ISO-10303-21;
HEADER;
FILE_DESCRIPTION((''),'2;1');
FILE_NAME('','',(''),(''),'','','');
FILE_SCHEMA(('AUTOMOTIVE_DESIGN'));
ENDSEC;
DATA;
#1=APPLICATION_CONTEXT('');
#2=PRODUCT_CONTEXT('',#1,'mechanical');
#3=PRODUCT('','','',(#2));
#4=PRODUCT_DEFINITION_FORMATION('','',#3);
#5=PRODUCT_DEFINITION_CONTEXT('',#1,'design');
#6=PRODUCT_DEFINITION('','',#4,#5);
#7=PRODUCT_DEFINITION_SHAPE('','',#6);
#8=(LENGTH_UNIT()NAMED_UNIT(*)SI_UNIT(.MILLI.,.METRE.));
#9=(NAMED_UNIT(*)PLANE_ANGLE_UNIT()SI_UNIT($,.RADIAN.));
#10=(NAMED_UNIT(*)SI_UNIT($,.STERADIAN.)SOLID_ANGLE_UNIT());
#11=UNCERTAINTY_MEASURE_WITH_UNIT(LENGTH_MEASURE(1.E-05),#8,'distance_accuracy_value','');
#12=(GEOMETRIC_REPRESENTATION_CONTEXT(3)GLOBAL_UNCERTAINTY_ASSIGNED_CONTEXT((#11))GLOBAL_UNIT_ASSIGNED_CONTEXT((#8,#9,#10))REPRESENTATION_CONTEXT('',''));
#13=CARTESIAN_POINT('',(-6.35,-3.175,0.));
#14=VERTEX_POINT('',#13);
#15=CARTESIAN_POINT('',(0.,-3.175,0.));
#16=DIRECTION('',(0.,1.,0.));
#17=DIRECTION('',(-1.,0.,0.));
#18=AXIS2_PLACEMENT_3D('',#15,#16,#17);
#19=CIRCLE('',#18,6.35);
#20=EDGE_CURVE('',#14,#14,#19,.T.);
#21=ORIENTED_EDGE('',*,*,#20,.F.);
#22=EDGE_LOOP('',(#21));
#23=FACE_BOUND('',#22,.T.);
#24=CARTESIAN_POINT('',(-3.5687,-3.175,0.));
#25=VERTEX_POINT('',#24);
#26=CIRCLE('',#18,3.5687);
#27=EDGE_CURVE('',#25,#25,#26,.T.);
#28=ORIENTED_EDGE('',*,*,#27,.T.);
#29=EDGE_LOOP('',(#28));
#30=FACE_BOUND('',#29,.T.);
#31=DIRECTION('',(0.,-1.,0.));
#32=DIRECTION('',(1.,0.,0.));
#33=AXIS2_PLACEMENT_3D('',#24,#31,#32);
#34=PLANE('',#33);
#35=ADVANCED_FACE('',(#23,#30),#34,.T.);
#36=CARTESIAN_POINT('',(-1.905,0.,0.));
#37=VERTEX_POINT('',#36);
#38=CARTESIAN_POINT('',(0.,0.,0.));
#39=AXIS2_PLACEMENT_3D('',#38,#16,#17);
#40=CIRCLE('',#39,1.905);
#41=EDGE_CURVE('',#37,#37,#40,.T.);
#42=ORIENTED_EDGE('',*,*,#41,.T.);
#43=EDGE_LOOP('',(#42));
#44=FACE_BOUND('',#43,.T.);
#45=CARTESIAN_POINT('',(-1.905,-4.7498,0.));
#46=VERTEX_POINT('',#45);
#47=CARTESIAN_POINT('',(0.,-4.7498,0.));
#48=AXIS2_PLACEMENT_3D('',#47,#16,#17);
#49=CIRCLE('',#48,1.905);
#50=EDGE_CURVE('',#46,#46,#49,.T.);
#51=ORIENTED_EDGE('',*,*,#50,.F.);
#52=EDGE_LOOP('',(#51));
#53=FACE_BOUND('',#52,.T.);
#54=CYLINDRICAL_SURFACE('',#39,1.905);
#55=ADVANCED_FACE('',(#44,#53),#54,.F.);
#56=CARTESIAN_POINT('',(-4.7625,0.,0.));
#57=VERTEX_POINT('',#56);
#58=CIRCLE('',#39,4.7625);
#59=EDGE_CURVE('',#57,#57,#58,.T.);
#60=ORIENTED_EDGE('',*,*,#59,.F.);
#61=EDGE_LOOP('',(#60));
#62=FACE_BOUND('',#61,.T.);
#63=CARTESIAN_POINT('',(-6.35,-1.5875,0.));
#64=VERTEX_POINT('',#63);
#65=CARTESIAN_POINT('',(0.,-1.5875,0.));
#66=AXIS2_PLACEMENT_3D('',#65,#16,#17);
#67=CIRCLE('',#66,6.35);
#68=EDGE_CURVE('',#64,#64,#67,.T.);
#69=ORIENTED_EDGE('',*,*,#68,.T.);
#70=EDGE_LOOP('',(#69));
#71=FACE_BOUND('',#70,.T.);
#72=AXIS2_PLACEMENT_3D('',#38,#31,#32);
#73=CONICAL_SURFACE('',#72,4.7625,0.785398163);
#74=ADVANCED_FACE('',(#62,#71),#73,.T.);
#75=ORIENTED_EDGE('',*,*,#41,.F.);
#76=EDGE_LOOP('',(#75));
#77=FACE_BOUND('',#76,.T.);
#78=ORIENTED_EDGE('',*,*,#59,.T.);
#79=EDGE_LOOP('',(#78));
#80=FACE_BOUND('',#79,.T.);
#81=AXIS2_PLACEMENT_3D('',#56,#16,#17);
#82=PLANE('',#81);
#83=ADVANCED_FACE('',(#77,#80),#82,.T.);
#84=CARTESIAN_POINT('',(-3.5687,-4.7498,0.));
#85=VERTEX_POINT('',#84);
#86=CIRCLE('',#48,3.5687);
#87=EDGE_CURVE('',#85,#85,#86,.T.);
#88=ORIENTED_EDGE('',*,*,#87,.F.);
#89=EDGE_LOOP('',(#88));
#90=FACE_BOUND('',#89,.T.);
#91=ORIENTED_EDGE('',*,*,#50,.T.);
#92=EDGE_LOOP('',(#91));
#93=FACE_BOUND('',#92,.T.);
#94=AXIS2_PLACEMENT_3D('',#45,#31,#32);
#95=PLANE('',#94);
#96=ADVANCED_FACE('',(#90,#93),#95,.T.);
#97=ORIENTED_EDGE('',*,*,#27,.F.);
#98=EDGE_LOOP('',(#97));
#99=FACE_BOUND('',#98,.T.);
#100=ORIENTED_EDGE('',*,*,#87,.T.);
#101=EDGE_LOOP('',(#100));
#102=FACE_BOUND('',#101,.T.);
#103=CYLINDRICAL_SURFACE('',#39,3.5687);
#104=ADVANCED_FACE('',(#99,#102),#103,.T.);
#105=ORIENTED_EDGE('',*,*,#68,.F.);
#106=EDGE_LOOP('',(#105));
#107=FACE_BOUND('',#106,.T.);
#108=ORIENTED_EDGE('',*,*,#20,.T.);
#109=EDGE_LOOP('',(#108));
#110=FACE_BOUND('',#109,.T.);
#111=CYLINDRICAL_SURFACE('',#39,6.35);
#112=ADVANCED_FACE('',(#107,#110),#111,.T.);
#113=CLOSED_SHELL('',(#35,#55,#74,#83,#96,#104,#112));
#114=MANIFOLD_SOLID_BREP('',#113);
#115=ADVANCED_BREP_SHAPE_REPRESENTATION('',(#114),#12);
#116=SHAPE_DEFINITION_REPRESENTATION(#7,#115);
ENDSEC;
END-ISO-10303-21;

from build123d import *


with BuildPart() as part:
    # Sketch1 → Revolve1 (revolve)
    with BuildSketch(Plane.XY):
        Polygon((-1.905, 0), (-1.905, -4.7498), (-3.5687, -4.7498), (-3.5687, -3.175), (-6.35, -3.175), (-6.35, -1.5875), (-4.7625, 0), align=None)
    revolve(axis=Axis((0, 0, 0), (0, -1, 0)))


solid = part.part
